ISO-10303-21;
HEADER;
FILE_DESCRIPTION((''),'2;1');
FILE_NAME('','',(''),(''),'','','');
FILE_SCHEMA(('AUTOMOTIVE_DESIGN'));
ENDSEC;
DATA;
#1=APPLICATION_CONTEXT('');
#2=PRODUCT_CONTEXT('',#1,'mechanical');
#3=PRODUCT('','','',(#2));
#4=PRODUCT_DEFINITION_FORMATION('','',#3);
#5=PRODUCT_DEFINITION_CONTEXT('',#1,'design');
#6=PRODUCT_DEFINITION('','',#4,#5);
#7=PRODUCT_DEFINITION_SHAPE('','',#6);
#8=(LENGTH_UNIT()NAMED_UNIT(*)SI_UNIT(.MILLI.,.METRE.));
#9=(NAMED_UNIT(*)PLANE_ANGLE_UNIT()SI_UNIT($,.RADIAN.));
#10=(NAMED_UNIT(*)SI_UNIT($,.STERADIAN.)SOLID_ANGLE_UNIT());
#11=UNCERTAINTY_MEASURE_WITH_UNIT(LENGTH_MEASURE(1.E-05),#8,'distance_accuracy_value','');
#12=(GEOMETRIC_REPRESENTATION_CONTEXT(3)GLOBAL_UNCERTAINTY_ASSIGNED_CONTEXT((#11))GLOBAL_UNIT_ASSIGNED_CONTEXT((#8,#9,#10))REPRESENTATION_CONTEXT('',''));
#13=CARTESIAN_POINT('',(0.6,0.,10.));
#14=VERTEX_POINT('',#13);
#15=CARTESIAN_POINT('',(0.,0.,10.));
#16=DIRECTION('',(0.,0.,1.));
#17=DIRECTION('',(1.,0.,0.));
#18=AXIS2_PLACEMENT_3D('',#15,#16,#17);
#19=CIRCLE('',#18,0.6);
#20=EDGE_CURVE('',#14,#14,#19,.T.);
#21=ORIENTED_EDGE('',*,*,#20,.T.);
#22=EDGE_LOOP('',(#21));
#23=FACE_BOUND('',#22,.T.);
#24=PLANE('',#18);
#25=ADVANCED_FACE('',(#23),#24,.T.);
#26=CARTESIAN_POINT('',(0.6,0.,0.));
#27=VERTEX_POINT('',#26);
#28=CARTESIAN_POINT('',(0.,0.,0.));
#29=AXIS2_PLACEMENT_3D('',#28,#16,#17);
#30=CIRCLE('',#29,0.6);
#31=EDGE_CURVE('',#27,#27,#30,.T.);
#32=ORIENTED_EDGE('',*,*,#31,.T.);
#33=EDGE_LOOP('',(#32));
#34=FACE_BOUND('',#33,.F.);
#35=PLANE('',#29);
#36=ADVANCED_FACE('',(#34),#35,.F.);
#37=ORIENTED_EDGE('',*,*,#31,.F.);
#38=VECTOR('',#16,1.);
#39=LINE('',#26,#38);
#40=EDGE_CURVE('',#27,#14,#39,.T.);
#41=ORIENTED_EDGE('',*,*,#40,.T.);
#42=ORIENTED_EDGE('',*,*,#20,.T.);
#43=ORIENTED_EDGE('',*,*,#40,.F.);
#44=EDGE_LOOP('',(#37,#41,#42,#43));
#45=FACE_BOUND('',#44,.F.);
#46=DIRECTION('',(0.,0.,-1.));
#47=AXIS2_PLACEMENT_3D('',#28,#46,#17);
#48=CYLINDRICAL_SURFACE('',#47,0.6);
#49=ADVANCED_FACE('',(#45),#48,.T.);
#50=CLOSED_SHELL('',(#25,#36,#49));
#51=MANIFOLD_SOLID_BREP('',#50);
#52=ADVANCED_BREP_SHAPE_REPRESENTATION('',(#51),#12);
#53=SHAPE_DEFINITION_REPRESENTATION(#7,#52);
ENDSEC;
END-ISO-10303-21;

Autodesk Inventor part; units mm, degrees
ref_plane "YZ Plane" through (0, 0, 0) normal (1, 0, 0) x (0, 1, 0)
ref_plane "XZ Plane" through (0, 0, 0) normal (0, 1, 0) x (-1, 0, 0)
ref_plane "XY Plane" through (0, 0, 0) normal (0, 0, 1) x (1, 0, 0)
sketch "スケッチ1" plane through (0, 0, 0) normal (0, 0, 1) x (1, 0, 0)
  circle A0 centre (0, 0) radius 0.6
  dimension "d0" = 1.2
extrude "押し出し1" add sketch "スケッチ1" along normal blind 10
properties part number "平行ピン　φ1.2　長さ10" material "ステンレス鋼"
